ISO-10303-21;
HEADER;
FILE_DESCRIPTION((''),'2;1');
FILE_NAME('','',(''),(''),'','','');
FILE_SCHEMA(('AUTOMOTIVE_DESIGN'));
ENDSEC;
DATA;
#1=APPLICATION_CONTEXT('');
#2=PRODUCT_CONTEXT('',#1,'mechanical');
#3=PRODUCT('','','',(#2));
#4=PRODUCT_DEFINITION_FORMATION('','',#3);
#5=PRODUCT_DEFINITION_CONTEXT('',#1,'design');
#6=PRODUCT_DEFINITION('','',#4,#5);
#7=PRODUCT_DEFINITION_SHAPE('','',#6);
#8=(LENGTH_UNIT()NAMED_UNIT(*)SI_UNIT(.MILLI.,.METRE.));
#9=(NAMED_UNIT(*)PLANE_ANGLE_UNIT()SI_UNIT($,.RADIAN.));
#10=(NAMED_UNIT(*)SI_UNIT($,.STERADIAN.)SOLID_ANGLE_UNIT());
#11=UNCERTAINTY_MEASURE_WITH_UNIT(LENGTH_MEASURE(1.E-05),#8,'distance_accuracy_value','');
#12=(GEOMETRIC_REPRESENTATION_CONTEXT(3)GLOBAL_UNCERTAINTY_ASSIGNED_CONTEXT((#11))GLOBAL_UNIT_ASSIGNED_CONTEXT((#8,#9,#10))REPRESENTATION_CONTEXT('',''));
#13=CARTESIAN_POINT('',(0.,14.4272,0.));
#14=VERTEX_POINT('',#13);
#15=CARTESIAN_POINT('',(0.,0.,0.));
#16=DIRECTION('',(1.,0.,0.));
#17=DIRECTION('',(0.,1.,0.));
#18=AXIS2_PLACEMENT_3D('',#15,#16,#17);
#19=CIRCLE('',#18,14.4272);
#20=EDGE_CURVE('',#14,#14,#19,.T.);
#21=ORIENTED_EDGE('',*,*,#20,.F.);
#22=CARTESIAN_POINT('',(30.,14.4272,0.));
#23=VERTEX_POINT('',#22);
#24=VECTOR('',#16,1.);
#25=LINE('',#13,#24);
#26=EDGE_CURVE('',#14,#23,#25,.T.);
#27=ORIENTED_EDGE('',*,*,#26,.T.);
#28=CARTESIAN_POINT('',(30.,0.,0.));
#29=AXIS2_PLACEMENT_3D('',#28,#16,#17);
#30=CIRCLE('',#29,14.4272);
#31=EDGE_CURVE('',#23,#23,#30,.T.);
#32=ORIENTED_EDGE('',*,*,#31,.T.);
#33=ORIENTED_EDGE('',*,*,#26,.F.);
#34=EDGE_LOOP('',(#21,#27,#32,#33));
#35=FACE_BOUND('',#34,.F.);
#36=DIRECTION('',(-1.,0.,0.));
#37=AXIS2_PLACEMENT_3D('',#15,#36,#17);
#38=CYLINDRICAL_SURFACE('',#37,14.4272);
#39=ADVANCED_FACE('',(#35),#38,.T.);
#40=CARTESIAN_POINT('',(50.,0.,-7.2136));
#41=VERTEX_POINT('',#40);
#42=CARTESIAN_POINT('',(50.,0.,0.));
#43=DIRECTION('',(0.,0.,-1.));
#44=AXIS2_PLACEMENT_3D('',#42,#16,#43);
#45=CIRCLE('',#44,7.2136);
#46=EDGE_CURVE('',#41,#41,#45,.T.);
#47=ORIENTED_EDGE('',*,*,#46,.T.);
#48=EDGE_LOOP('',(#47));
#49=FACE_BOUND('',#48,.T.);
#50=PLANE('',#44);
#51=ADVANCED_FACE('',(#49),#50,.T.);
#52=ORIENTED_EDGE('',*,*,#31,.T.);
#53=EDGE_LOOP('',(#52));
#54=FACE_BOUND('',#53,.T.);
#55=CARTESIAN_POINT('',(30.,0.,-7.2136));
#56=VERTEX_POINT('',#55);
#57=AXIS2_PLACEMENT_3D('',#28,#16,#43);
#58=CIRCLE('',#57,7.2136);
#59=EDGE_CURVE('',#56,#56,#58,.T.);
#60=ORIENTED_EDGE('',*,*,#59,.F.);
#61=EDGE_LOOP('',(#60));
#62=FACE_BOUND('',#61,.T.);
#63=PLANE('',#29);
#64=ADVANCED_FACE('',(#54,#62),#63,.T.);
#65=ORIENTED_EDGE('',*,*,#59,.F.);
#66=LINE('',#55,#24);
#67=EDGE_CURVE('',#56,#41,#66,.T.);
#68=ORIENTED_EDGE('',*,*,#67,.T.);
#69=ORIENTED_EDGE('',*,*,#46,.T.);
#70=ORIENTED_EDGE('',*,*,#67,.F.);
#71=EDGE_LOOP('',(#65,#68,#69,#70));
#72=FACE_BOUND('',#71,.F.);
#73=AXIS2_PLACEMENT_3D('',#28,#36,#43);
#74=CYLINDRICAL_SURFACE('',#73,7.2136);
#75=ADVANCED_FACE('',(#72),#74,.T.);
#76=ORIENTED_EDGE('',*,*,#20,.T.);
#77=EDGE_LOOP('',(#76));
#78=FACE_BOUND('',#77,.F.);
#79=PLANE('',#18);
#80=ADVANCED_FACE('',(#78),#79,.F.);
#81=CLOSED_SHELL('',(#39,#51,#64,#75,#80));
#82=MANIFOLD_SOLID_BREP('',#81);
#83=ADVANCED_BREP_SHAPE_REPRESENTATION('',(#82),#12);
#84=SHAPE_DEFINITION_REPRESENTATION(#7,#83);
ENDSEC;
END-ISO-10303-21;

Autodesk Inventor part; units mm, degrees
ref_plane "YZ Plane" through (0, 0, 0) normal (1, 0, 0) x (0, 1, 0)
ref_plane "XZ Plane" through (0, 0, 0) normal (0, 1, 0) x (-1, 0, 0)
ref_plane "XY Plane" through (0, 0, 0) normal (0, 0, 1) x (1, 0, 0)
sketch "Sketch1" plane through (0, 0, 0) normal (1, 0, 0) x (0, 1, 0)
  circle A0 centre (0, 0) radius 14.4272
  dimension "d0" = 28.8544
extrude "Extrusion1" add sketch "Sketch1" along normal blind 30
sketch "Sketch2" plane through (30, 0, 0) normal (1, 0, 0) x (0, 0, -1)
  circle A0 centre (0, 0) radius 7.2136
  dimension "d3" = 14.4272
extrude "Extrusion2" add sketch "Sketch2" along normal blind 20
properties part number "rond tournant 2"
